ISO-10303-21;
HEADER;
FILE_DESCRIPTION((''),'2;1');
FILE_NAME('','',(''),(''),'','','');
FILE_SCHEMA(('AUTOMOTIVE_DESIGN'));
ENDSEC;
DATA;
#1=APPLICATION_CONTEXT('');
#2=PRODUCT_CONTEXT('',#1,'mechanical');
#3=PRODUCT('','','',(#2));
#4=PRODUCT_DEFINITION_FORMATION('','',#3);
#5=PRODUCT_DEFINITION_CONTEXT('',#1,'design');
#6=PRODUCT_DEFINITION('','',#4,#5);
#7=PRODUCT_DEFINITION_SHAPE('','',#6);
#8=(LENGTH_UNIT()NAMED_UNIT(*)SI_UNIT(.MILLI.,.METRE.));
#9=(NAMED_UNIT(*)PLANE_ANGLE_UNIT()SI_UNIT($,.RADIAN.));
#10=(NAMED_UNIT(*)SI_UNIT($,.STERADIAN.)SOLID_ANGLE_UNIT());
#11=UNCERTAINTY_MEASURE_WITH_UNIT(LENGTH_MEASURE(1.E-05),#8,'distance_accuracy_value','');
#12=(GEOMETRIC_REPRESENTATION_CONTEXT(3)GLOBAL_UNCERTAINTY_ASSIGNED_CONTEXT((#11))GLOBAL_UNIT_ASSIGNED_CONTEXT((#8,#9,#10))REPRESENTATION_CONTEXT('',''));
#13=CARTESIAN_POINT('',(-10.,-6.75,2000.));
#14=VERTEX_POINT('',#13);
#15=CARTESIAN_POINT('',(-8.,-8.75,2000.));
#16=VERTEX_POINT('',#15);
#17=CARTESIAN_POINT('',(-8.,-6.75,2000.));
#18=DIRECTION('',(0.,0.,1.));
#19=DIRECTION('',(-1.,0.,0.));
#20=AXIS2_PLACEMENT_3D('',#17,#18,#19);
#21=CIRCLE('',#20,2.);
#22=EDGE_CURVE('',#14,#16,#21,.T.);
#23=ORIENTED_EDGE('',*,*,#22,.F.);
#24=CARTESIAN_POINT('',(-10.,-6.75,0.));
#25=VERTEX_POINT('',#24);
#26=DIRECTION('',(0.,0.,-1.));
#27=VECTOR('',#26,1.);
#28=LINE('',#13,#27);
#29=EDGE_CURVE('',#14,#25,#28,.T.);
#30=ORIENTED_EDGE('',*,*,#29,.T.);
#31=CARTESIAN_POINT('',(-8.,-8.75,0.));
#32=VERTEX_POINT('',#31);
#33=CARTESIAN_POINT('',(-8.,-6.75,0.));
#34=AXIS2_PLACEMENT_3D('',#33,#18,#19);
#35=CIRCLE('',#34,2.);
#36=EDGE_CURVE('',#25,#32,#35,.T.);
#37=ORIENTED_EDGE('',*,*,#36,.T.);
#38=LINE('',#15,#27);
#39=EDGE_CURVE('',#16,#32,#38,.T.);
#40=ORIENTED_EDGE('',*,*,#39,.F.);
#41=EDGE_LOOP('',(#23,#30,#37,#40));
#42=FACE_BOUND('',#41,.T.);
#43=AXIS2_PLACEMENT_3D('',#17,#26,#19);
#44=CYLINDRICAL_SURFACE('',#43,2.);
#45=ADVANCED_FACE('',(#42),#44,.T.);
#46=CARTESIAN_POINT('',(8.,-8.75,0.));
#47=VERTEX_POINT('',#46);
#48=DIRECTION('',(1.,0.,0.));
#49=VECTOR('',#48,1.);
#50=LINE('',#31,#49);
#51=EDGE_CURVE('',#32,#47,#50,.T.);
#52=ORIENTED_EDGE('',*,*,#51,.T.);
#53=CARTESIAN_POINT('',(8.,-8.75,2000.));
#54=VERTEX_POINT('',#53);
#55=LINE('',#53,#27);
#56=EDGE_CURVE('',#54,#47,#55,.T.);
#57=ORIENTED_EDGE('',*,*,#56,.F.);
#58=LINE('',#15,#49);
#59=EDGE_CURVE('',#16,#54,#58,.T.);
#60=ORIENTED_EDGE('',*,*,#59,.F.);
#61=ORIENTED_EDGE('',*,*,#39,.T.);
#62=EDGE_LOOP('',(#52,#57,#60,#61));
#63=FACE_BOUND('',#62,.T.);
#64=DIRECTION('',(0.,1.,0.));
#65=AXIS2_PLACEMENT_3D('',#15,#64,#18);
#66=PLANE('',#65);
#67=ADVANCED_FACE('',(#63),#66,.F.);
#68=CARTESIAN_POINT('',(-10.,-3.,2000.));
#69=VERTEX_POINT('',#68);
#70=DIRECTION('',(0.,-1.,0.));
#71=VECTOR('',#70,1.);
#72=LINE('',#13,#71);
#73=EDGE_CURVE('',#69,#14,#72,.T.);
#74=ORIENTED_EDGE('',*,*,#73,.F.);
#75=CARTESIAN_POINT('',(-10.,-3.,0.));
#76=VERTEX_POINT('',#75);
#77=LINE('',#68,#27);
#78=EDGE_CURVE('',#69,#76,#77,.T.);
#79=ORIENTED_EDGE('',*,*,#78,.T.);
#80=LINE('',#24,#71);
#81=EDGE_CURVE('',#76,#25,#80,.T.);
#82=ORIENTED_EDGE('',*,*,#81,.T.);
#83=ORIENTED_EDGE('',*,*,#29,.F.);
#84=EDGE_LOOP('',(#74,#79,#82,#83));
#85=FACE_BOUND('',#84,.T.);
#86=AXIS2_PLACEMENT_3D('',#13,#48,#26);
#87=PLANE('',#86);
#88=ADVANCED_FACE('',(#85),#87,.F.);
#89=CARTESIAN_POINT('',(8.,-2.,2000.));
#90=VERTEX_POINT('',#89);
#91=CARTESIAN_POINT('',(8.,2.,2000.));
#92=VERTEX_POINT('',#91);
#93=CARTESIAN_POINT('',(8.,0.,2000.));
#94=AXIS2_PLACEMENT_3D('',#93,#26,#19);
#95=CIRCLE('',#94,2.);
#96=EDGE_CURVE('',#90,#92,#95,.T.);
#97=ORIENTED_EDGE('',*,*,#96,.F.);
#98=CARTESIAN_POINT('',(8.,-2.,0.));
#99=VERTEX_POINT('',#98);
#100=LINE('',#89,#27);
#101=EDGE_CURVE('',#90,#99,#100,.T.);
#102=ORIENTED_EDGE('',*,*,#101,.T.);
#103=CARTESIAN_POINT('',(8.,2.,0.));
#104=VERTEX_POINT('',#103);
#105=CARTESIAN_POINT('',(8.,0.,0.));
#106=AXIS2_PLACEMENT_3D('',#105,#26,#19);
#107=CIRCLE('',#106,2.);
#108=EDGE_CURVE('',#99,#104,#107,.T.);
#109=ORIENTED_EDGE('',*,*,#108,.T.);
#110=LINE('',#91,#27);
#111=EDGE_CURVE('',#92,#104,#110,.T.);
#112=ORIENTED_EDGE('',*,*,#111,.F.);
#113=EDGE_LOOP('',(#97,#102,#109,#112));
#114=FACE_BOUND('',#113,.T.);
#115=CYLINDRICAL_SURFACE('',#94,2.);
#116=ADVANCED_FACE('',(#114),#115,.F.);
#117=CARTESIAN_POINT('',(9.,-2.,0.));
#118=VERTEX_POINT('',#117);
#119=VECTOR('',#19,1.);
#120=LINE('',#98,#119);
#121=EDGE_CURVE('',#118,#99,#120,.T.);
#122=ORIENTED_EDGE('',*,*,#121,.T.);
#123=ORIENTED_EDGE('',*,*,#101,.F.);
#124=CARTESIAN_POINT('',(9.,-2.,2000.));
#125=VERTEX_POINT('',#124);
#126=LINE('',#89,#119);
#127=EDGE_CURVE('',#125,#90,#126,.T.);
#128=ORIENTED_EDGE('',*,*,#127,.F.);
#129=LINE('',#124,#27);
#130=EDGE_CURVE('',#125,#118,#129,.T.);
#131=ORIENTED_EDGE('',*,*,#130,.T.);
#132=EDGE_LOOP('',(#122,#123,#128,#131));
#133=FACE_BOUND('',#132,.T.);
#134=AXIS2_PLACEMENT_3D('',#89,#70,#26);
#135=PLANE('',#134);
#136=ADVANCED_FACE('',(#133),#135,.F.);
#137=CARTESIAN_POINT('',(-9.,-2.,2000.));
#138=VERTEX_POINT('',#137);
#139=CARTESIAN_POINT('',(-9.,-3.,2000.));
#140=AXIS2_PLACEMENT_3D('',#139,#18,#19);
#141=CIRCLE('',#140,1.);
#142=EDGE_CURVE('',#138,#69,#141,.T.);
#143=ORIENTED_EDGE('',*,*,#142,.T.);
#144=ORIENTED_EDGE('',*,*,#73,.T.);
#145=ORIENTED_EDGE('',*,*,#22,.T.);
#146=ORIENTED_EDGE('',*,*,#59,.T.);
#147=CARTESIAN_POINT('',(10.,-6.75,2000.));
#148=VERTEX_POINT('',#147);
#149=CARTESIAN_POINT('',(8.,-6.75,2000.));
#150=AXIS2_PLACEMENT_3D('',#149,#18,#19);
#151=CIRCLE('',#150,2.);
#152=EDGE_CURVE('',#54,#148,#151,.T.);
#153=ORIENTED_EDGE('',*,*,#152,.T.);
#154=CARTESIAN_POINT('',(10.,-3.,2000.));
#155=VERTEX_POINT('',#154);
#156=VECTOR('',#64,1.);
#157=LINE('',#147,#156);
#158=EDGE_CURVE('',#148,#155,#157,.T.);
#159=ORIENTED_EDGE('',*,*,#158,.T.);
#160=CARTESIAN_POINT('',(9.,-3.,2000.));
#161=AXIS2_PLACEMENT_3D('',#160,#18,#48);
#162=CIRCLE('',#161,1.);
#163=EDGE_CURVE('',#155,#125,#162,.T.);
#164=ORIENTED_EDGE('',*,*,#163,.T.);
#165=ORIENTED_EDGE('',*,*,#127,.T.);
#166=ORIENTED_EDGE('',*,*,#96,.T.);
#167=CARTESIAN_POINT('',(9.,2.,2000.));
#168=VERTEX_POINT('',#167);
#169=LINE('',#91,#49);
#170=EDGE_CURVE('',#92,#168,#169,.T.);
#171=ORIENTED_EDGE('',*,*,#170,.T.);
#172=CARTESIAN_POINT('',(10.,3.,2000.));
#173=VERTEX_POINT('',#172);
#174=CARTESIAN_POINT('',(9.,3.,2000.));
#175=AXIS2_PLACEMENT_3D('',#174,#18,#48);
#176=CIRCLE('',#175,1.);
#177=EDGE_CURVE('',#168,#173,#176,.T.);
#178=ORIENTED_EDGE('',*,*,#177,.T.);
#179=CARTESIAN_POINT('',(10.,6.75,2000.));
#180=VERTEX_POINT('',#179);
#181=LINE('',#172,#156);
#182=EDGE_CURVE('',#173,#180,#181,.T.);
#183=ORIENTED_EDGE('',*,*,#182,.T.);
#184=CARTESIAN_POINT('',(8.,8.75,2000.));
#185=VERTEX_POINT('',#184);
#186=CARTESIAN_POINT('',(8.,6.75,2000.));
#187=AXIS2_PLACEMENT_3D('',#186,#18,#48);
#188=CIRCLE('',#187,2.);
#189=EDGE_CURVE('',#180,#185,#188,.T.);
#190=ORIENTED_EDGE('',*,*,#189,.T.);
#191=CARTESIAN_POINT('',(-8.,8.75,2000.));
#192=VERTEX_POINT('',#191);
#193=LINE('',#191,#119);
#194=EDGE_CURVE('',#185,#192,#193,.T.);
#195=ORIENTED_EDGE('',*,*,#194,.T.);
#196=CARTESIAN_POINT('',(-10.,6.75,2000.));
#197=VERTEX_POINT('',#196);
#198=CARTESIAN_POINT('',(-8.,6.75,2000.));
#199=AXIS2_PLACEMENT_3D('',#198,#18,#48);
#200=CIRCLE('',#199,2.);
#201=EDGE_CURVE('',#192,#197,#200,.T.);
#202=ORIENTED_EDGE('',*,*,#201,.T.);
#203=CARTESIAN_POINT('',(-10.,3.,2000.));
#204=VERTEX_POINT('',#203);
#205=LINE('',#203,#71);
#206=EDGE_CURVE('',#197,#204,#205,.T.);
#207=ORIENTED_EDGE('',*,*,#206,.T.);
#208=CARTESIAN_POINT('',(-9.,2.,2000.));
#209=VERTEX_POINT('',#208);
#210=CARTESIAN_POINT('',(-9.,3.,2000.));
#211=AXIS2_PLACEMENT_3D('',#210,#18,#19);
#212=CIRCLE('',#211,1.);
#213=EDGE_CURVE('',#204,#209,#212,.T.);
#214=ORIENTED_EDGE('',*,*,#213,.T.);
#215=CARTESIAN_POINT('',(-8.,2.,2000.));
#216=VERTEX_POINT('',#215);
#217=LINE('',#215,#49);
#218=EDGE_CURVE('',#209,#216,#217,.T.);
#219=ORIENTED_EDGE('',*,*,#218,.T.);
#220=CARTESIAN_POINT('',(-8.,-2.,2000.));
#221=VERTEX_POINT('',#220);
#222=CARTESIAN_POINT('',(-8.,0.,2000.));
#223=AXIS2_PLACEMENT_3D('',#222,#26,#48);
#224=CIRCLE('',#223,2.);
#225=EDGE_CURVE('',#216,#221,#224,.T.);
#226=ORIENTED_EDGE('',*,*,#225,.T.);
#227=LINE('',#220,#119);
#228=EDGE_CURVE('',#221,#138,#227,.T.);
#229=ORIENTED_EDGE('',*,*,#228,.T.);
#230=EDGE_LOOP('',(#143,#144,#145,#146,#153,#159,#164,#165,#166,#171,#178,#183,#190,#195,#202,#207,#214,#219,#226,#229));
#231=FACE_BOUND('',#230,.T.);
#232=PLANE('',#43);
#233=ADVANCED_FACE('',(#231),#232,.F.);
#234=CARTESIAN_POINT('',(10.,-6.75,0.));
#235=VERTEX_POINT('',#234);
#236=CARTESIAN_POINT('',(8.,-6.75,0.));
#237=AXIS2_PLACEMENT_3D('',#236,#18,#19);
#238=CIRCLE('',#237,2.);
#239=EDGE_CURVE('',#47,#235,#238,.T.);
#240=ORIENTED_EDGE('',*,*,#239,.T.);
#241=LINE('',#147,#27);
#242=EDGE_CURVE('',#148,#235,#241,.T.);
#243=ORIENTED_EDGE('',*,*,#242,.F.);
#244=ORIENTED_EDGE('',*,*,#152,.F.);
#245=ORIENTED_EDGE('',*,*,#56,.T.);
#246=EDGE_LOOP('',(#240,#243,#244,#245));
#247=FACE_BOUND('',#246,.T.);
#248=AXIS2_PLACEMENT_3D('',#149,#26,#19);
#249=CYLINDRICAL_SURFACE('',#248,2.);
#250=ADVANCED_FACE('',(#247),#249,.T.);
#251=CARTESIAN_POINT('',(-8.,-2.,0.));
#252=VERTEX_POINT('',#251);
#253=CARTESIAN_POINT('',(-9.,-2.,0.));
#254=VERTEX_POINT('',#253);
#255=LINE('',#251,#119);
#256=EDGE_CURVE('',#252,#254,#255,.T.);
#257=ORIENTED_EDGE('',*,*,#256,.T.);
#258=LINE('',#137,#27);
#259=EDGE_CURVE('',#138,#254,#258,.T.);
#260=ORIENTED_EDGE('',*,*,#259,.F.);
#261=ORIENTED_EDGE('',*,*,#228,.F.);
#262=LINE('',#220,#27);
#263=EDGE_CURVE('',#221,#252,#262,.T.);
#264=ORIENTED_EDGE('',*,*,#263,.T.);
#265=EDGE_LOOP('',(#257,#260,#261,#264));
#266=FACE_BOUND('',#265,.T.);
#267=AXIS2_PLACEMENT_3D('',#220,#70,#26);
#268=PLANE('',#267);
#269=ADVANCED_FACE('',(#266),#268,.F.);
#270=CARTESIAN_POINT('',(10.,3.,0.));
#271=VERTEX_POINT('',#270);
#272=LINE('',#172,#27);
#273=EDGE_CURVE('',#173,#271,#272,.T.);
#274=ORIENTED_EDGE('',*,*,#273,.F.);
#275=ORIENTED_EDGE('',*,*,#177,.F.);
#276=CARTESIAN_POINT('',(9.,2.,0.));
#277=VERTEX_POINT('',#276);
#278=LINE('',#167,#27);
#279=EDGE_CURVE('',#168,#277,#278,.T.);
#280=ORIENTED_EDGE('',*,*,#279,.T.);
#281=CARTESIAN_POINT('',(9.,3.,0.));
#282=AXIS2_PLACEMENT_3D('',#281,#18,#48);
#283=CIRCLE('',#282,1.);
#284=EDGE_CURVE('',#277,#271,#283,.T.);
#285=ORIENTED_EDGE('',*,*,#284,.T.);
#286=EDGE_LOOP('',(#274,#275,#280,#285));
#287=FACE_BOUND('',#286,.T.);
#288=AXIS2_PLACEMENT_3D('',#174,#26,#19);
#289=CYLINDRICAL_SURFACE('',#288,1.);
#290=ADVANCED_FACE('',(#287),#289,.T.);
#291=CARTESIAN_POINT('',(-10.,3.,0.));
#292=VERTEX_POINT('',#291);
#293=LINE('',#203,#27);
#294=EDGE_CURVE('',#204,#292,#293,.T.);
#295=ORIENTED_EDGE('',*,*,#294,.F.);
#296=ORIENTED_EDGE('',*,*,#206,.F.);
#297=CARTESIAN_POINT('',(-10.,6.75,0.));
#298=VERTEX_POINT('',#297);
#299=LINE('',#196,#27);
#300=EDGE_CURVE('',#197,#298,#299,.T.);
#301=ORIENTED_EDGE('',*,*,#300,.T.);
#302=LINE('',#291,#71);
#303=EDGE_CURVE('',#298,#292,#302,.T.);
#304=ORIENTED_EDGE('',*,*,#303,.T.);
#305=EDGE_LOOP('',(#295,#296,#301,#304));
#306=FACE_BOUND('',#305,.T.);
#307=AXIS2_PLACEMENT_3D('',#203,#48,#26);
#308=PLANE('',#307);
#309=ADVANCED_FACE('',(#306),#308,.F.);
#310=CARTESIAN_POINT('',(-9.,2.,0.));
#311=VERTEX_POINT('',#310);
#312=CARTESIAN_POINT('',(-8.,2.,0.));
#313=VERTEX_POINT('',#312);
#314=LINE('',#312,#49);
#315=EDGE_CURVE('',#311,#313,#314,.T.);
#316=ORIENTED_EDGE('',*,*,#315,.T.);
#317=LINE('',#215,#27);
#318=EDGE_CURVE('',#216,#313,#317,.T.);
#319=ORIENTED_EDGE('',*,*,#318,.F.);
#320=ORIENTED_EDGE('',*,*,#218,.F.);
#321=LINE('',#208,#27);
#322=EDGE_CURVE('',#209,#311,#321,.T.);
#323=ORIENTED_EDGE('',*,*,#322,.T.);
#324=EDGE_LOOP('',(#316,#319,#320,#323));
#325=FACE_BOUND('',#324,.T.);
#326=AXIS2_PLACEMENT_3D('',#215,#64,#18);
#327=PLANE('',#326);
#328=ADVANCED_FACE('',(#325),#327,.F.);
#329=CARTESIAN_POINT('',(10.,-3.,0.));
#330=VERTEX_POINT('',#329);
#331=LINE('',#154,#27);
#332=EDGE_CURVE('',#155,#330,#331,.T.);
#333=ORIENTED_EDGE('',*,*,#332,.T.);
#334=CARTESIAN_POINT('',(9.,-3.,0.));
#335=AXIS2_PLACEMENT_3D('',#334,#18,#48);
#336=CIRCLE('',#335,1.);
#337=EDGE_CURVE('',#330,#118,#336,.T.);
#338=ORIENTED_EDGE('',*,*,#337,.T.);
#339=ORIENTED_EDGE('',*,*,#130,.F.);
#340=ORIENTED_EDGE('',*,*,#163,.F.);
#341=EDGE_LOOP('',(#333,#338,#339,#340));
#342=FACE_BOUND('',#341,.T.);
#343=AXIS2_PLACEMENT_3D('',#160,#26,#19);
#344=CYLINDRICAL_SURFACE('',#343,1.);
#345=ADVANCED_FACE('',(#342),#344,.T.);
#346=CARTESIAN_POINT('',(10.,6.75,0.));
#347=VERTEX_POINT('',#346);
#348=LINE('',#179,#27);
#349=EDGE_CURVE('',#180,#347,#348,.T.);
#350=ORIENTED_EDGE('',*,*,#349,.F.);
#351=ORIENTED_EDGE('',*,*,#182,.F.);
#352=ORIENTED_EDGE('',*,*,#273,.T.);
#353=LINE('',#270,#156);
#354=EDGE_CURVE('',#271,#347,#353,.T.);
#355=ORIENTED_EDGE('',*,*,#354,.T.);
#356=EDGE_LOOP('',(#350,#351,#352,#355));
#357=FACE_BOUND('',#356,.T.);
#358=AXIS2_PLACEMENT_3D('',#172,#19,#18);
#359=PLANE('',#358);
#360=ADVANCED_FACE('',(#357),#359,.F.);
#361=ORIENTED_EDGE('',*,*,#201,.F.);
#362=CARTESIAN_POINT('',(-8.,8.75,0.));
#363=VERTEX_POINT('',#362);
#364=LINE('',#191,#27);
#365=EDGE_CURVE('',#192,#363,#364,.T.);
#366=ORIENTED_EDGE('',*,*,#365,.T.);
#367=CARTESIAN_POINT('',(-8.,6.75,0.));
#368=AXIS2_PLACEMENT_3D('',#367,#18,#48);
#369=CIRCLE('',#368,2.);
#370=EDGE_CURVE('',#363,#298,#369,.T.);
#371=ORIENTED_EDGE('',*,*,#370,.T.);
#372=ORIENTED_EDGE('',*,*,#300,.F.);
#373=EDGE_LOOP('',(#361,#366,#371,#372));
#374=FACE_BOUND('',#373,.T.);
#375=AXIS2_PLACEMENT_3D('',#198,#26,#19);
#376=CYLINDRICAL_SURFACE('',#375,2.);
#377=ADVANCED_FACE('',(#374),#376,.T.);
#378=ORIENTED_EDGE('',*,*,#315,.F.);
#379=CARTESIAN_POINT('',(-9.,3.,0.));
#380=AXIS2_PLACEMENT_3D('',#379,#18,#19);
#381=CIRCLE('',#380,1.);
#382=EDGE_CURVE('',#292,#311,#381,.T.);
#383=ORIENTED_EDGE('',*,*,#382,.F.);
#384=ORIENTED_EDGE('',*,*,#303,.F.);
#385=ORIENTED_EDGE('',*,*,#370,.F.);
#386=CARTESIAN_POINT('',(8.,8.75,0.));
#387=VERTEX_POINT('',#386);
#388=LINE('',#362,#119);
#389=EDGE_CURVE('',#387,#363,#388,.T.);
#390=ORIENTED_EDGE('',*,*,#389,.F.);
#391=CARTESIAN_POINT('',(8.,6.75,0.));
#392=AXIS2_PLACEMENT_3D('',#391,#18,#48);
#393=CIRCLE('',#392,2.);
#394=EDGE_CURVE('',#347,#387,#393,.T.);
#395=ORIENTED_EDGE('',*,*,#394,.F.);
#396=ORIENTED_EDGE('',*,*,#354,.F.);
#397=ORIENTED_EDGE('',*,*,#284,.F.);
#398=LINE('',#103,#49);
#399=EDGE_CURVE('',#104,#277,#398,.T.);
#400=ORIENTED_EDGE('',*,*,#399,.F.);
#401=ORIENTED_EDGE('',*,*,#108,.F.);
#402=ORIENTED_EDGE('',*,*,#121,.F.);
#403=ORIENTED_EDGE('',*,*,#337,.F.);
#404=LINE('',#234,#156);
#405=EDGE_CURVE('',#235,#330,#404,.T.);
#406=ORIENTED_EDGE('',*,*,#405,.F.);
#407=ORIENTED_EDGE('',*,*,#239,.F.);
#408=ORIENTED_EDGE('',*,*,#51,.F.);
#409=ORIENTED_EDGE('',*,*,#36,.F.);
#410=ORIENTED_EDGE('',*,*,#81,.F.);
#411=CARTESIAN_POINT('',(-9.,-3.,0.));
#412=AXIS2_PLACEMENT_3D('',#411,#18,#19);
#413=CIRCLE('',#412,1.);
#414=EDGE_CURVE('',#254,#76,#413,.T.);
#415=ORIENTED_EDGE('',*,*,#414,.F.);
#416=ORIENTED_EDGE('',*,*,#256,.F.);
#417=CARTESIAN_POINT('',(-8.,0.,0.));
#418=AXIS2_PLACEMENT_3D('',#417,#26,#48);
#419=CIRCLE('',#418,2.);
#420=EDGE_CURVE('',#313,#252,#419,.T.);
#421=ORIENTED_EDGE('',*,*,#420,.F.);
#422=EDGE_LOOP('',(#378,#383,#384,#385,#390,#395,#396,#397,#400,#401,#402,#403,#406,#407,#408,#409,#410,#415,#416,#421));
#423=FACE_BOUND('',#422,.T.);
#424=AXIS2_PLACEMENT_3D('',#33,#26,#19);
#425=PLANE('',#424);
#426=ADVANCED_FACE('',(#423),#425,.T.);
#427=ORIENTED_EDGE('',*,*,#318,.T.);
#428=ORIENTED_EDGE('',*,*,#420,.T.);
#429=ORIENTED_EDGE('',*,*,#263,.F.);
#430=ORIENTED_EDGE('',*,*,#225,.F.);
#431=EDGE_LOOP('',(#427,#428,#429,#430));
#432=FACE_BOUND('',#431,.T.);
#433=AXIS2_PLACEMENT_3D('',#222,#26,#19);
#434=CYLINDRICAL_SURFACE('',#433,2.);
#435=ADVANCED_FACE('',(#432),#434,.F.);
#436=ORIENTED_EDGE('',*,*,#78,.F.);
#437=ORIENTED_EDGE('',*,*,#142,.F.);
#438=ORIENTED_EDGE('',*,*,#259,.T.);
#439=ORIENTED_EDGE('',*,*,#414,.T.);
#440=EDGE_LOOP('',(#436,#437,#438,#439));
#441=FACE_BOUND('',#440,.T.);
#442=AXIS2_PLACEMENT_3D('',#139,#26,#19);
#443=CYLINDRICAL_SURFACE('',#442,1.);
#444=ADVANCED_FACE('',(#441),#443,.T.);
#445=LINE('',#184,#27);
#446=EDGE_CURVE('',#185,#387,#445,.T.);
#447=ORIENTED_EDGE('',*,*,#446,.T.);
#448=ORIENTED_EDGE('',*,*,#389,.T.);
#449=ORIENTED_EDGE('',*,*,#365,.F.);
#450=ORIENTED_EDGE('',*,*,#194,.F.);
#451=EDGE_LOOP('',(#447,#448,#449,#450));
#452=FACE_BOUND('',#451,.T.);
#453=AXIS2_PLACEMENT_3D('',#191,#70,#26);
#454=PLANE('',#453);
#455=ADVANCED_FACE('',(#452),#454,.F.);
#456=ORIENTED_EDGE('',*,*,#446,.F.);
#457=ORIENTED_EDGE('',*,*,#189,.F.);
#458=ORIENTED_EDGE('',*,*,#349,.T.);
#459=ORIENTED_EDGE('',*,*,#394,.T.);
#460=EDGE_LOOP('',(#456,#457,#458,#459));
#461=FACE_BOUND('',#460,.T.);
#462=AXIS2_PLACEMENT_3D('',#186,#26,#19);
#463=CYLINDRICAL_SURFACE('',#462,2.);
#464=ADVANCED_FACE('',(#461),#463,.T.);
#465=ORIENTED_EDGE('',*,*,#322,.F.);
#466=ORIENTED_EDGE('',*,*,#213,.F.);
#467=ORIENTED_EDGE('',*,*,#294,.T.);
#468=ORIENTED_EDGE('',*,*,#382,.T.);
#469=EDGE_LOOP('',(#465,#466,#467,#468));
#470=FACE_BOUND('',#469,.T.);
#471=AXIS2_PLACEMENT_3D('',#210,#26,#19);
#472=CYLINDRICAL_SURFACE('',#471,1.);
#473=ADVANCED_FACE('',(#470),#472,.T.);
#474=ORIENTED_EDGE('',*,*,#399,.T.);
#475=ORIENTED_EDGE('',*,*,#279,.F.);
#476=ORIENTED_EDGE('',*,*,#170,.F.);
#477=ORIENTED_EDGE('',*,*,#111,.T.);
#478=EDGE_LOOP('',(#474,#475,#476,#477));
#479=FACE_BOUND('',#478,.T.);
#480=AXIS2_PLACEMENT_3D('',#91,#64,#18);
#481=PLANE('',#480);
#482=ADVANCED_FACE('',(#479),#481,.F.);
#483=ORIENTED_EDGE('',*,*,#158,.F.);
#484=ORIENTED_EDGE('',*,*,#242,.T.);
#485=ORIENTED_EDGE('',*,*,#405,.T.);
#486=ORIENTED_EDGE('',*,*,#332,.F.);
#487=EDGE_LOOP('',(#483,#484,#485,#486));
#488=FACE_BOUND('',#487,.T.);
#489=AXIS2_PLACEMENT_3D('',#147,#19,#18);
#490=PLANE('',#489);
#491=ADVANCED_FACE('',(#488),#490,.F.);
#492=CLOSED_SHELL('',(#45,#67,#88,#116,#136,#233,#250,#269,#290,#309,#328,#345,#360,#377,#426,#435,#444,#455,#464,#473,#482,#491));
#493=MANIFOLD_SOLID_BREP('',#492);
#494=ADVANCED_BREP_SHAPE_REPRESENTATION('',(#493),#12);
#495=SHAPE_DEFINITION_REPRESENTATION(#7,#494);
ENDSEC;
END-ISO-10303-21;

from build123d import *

# Parameters (mm, degrees)
BOSS_EXTRUDE1_DEPTH = 2000


with BuildPart() as part:
    # Sketch1 → Boss-Extrude1 (new body)
    with BuildSketch(Plane.XY):
        with BuildLine():
            Line((-8, -8.75), (8, -8.75))
            ThreePointArc((8, -8.75), (9.414213562, -8.164213562), (10, -6.75))
            Line((10, -6.75), (10, -3))
            ThreePointArc((10, -3), (9.707106781, -2.292893219), (9, -2))
            Line((9, -2), (8, -2))
            ThreePointArc((8, -2), (6, 0), (8, 2))
            Line((8, 2), (9, 2))
            ThreePointArc((9, 2), (9.707106781, 2.292893219), (10, 3))
            Line((10, 3), (10, 6.75))
            ThreePointArc((10, 6.75), (9.414213562, 8.164213562), (8, 8.75))
            Line((8, 8.75), (-8, 8.75))
            ThreePointArc((-8, 8.75), (-9.414213562, 8.164213562), (-10, 6.75))
            Line((-10, 6.75), (-10, 3))
            ThreePointArc((-10, 3), (-9.707106781, 2.292893219), (-9, 2))
            Line((-9, 2), (-8, 2))
            ThreePointArc((-8, 2), (-6, 0), (-8, -2))
            Line((-8, -2), (-9, -2))
            ThreePointArc((-9, -2), (-9.707106781, -2.292893219), (-10, -3))
            Line((-10, -3), (-10, -6.75))
            ThreePointArc((-10, -6.75), (-9.414213562, -8.164213562), (-8, -8.75))
        make_face()
    extrude(amount=BOSS_EXTRUDE1_DEPTH)


solid = part.part
